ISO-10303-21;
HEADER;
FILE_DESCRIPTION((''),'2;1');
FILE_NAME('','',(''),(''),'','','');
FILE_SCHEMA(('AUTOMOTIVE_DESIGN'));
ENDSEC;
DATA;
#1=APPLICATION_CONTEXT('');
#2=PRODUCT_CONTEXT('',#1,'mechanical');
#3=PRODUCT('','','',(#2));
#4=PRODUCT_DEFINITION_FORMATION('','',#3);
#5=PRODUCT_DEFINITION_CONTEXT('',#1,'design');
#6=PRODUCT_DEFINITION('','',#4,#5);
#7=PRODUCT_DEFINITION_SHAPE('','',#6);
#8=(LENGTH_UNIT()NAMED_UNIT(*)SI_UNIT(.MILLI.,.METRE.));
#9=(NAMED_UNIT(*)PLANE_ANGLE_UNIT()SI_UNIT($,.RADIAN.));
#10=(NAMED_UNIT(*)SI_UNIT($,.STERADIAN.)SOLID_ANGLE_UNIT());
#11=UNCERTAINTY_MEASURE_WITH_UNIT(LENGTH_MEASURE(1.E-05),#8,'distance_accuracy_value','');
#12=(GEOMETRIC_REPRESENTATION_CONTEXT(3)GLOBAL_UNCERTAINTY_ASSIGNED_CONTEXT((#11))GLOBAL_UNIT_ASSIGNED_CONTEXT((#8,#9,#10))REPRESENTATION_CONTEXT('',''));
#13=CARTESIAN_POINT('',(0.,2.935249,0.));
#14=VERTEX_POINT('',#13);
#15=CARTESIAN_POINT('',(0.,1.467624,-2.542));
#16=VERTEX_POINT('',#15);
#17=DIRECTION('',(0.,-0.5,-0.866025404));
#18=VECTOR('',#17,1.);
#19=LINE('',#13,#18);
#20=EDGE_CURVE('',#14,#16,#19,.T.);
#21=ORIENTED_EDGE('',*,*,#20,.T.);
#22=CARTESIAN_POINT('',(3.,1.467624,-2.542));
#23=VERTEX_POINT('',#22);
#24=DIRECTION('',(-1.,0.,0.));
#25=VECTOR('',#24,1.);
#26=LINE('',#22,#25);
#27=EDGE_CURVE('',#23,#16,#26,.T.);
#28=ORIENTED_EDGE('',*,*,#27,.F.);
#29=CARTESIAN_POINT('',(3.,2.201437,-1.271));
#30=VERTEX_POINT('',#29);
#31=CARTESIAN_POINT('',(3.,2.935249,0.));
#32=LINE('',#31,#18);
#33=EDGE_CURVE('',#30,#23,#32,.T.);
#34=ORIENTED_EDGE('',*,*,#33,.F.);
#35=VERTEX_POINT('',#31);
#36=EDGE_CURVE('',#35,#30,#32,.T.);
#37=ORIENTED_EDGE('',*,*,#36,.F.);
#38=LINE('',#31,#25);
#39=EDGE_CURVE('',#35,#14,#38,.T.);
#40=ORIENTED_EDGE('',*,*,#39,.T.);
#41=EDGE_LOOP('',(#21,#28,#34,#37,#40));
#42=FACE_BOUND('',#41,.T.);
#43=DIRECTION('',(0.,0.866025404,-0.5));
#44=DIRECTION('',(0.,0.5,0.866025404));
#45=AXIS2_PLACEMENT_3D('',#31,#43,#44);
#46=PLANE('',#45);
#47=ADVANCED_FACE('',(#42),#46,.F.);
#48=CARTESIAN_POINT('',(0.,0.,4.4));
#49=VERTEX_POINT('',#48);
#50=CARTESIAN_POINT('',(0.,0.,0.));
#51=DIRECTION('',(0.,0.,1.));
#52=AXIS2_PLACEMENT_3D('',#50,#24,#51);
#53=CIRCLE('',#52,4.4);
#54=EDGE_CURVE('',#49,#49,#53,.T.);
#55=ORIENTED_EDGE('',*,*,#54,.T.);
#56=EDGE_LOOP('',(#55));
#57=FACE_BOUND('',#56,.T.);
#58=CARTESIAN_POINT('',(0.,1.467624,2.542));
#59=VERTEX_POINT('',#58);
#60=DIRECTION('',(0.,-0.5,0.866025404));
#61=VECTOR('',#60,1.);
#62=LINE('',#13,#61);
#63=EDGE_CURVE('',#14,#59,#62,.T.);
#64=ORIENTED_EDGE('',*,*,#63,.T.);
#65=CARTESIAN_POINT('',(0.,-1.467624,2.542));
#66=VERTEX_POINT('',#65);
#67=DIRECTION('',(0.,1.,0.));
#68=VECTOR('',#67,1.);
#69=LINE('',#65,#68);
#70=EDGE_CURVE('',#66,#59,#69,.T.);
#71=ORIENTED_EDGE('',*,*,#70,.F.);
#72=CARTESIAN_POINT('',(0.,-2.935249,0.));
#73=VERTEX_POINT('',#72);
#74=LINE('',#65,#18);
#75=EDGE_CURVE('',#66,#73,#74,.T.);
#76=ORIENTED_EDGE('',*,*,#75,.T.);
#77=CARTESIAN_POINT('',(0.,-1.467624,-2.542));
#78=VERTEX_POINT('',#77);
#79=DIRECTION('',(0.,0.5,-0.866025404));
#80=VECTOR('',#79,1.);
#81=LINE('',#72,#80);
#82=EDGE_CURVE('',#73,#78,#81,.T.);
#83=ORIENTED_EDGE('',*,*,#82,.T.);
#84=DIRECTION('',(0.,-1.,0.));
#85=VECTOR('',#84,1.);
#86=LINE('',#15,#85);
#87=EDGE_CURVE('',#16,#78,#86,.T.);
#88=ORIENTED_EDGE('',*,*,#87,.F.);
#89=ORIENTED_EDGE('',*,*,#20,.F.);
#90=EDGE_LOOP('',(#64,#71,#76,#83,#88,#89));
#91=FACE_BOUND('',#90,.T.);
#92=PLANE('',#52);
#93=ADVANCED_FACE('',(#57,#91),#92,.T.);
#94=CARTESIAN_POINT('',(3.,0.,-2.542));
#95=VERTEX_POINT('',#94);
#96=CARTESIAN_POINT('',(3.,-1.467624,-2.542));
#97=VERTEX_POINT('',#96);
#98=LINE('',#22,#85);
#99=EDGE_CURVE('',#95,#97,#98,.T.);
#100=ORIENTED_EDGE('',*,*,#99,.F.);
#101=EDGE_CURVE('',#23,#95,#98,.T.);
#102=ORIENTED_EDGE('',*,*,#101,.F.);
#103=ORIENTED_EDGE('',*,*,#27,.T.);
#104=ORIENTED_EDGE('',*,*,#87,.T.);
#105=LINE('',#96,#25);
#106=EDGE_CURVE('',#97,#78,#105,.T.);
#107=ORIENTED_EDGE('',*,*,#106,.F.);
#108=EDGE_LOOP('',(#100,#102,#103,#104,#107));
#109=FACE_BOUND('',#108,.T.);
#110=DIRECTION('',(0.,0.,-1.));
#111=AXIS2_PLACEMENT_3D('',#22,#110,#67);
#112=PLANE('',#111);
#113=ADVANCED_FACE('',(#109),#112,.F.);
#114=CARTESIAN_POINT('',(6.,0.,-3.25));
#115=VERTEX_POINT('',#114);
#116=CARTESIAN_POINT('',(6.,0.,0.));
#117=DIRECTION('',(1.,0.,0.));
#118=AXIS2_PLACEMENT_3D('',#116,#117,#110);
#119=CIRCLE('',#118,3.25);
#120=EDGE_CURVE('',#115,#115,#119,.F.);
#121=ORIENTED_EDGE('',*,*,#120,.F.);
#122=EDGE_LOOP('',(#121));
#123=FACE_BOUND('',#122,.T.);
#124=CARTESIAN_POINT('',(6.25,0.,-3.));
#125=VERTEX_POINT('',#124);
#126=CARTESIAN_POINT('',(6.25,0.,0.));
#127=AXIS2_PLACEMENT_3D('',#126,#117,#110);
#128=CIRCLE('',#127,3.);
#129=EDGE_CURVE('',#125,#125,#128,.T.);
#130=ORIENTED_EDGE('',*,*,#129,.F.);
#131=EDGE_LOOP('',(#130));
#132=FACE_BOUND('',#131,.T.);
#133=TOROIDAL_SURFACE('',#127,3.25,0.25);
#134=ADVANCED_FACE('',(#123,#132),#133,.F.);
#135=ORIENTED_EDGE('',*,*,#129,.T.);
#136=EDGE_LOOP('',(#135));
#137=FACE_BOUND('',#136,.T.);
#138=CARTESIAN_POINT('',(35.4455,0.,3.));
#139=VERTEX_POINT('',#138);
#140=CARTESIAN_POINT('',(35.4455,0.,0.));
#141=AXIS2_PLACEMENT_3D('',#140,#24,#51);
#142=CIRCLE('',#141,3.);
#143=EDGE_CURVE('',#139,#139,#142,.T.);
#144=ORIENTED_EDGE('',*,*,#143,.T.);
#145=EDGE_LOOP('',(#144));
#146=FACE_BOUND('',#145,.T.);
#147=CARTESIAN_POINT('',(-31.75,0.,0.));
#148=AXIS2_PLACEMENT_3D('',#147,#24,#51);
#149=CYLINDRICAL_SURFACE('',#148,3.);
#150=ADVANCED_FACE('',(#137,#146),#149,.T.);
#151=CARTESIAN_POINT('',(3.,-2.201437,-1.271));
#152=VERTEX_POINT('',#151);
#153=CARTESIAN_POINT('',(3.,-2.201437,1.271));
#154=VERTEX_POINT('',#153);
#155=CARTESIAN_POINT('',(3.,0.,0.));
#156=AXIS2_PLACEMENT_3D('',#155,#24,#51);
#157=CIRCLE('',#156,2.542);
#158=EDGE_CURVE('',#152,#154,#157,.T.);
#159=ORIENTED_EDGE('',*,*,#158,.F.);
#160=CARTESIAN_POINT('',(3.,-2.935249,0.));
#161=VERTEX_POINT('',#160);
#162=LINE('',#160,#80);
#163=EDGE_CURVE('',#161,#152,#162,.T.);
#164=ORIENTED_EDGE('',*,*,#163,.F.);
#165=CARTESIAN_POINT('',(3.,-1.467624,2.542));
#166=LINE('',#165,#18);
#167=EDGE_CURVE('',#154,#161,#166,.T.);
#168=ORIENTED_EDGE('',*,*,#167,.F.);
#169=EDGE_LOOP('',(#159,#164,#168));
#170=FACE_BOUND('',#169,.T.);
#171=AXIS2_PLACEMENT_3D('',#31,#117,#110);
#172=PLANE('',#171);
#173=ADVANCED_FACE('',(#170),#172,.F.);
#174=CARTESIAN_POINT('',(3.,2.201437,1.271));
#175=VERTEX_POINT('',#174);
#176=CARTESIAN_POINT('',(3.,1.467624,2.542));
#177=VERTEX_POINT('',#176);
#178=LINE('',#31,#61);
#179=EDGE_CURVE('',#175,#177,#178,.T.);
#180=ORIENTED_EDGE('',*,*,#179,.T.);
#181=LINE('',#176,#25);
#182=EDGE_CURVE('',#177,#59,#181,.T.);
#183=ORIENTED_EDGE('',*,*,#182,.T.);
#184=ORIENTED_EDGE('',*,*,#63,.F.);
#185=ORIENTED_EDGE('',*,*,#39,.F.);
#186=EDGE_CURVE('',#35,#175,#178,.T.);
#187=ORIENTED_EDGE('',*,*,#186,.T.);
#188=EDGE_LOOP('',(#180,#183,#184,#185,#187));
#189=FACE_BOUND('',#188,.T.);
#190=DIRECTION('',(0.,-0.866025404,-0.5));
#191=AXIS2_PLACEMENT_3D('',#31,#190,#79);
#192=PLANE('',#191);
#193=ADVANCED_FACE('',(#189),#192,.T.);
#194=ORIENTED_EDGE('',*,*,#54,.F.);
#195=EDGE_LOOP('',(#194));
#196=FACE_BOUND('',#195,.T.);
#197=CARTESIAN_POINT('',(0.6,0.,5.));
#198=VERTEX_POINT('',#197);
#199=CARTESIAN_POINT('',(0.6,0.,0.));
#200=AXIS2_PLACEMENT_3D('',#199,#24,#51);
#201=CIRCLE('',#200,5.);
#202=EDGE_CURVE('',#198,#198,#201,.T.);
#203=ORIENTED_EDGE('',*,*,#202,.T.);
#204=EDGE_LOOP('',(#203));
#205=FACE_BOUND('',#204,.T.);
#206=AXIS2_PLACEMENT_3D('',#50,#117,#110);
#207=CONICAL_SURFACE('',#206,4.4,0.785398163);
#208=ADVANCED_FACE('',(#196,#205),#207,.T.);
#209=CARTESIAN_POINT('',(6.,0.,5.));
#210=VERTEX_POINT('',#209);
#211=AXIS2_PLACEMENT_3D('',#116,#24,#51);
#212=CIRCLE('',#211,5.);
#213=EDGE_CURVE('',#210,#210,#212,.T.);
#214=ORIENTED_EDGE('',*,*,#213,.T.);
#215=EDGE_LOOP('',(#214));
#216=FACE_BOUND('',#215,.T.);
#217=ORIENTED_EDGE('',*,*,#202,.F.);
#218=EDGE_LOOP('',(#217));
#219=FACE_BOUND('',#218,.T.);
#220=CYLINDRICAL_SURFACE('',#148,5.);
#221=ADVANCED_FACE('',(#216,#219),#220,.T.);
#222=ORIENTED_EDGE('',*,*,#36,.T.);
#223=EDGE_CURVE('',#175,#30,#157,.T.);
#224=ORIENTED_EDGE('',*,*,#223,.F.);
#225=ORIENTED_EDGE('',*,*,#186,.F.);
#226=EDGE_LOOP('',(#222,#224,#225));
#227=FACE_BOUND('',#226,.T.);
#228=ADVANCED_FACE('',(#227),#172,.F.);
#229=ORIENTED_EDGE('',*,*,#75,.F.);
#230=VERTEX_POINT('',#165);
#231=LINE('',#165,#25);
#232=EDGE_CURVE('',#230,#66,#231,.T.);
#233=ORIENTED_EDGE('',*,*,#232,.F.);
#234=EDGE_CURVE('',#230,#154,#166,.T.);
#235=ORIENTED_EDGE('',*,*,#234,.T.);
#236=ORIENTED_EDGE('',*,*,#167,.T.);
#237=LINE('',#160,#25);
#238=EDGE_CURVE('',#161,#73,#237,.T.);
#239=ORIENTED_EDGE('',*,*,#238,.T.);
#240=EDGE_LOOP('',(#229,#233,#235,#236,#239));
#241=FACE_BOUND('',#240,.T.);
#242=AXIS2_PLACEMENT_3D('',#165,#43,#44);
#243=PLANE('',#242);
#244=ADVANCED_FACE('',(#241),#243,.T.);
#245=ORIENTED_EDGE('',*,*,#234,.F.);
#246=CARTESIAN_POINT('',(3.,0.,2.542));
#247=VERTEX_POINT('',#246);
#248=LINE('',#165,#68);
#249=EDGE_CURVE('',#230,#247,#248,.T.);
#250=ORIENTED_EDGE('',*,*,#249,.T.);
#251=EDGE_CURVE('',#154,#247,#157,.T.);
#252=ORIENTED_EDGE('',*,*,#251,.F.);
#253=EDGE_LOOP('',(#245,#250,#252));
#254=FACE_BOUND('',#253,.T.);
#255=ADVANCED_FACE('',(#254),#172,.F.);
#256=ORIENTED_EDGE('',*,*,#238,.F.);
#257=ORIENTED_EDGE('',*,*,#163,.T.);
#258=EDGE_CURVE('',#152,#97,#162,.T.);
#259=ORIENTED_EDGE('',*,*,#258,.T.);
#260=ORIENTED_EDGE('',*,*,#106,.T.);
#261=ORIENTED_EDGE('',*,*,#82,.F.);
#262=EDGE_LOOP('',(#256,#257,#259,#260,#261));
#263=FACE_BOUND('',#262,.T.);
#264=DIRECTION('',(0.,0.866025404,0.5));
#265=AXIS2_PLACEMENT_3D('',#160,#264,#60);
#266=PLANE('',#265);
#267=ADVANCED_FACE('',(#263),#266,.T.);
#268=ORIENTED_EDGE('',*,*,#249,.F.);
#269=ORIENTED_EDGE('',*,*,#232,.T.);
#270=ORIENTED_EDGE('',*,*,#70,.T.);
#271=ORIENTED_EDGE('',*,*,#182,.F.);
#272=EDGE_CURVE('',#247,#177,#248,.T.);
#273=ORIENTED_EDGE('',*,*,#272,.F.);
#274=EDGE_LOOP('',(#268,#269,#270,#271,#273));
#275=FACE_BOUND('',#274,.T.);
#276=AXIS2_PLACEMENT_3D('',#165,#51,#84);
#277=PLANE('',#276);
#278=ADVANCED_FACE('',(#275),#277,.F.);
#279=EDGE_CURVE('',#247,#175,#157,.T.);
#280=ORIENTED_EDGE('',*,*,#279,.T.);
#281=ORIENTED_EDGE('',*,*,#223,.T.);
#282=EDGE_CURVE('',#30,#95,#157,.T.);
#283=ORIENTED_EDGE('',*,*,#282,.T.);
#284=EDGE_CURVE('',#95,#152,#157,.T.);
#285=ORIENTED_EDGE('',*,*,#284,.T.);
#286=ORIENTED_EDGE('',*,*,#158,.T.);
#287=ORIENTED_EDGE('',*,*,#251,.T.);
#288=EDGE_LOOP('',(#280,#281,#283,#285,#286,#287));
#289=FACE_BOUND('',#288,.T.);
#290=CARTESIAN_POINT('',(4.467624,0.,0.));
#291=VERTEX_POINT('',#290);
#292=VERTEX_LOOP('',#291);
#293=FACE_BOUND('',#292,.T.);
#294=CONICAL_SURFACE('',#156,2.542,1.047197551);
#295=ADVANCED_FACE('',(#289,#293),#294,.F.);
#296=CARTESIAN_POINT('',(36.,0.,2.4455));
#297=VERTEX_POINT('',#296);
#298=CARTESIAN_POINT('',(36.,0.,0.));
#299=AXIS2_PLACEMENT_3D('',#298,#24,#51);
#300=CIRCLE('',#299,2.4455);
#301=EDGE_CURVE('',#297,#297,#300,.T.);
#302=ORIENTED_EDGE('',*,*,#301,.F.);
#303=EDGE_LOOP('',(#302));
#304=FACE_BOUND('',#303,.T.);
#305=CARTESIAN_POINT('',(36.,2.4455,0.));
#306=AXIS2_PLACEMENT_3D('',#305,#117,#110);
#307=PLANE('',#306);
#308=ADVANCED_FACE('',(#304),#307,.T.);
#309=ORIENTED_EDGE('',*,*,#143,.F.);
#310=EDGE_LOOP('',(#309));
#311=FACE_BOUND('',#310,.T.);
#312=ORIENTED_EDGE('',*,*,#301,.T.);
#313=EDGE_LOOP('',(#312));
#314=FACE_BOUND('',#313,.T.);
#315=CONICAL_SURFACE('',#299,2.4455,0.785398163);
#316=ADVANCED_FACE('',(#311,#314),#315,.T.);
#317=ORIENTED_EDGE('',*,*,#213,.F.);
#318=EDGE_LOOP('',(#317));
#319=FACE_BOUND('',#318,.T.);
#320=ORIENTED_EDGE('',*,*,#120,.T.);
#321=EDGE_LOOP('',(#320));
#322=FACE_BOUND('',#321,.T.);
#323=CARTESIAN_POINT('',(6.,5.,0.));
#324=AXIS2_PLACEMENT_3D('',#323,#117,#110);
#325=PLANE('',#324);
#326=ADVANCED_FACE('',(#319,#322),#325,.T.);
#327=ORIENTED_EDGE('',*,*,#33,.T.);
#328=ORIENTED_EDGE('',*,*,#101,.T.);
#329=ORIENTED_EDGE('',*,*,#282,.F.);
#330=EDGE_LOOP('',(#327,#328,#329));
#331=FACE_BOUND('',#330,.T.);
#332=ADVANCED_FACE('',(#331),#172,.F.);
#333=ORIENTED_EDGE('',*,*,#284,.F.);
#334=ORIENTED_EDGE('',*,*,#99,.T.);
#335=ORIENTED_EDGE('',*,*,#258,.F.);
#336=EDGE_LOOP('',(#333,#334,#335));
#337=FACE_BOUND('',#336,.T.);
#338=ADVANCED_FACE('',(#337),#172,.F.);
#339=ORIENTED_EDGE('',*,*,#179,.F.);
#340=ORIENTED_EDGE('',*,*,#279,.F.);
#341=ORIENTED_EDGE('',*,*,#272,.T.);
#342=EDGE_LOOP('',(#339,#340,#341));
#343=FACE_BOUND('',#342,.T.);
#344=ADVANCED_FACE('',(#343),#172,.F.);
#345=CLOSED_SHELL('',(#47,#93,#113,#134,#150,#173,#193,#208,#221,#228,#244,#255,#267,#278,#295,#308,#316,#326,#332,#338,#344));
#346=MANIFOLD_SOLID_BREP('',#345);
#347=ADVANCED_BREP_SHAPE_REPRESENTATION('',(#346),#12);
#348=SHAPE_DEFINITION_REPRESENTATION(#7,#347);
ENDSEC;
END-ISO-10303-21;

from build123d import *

# Parameters (mm, degrees)
FILLET1_R   = 0.25
HEX_2_DEPTH = 3


with BuildPart() as part:
    # BodySke → Base-Revolve (revolve)
    with BuildSketch(Plane.XY):
        Polygon((0, 0), (0, 4.4), (0.6, 5), (6, 5), (6, 3), (35.4455, 3), (36, 2.4455), (36, 0), align=None)
    revolve(axis=Axis((-31.75, 0, 0), (1, 0, 0)))

    # Fillet1
    fillet1_edges = [part.edges().sort_by_distance(p)[0] for p in [
        (6, -3, 0),
    ]]
    fillet(fillet1_edges, radius=FILLET1_R)

    # Sketch2 → Hex-PreBroach (revolve, cut)
    with BuildSketch(Plane.XY):
        Polygon((0, 2.542), (3, 2.542), (4.467624384, 0), (0, 0), align=None)
    revolve(axis=Axis((0, 0, 0), (1, 0, 0)), mode=Mode.SUBTRACT)

    # Sketch3 → Hex 2 (cut)
    with BuildSketch(Plane(origin=(0, 0, 0), x_dir=(0, 0.5, 0.866025404), z_dir=(-1, 0, 0))):
        Polygon((1.467624384, 2.542), (-1.467624384, 2.542), (-2.935248769, 0), (-1.467624384, -2.542), (1.467624384, -2.542), (2.935248769, 0), align=None)
    extrude(amount=-HEX_2_DEPTH, mode=Mode.SUBTRACT)


solid = part.part
